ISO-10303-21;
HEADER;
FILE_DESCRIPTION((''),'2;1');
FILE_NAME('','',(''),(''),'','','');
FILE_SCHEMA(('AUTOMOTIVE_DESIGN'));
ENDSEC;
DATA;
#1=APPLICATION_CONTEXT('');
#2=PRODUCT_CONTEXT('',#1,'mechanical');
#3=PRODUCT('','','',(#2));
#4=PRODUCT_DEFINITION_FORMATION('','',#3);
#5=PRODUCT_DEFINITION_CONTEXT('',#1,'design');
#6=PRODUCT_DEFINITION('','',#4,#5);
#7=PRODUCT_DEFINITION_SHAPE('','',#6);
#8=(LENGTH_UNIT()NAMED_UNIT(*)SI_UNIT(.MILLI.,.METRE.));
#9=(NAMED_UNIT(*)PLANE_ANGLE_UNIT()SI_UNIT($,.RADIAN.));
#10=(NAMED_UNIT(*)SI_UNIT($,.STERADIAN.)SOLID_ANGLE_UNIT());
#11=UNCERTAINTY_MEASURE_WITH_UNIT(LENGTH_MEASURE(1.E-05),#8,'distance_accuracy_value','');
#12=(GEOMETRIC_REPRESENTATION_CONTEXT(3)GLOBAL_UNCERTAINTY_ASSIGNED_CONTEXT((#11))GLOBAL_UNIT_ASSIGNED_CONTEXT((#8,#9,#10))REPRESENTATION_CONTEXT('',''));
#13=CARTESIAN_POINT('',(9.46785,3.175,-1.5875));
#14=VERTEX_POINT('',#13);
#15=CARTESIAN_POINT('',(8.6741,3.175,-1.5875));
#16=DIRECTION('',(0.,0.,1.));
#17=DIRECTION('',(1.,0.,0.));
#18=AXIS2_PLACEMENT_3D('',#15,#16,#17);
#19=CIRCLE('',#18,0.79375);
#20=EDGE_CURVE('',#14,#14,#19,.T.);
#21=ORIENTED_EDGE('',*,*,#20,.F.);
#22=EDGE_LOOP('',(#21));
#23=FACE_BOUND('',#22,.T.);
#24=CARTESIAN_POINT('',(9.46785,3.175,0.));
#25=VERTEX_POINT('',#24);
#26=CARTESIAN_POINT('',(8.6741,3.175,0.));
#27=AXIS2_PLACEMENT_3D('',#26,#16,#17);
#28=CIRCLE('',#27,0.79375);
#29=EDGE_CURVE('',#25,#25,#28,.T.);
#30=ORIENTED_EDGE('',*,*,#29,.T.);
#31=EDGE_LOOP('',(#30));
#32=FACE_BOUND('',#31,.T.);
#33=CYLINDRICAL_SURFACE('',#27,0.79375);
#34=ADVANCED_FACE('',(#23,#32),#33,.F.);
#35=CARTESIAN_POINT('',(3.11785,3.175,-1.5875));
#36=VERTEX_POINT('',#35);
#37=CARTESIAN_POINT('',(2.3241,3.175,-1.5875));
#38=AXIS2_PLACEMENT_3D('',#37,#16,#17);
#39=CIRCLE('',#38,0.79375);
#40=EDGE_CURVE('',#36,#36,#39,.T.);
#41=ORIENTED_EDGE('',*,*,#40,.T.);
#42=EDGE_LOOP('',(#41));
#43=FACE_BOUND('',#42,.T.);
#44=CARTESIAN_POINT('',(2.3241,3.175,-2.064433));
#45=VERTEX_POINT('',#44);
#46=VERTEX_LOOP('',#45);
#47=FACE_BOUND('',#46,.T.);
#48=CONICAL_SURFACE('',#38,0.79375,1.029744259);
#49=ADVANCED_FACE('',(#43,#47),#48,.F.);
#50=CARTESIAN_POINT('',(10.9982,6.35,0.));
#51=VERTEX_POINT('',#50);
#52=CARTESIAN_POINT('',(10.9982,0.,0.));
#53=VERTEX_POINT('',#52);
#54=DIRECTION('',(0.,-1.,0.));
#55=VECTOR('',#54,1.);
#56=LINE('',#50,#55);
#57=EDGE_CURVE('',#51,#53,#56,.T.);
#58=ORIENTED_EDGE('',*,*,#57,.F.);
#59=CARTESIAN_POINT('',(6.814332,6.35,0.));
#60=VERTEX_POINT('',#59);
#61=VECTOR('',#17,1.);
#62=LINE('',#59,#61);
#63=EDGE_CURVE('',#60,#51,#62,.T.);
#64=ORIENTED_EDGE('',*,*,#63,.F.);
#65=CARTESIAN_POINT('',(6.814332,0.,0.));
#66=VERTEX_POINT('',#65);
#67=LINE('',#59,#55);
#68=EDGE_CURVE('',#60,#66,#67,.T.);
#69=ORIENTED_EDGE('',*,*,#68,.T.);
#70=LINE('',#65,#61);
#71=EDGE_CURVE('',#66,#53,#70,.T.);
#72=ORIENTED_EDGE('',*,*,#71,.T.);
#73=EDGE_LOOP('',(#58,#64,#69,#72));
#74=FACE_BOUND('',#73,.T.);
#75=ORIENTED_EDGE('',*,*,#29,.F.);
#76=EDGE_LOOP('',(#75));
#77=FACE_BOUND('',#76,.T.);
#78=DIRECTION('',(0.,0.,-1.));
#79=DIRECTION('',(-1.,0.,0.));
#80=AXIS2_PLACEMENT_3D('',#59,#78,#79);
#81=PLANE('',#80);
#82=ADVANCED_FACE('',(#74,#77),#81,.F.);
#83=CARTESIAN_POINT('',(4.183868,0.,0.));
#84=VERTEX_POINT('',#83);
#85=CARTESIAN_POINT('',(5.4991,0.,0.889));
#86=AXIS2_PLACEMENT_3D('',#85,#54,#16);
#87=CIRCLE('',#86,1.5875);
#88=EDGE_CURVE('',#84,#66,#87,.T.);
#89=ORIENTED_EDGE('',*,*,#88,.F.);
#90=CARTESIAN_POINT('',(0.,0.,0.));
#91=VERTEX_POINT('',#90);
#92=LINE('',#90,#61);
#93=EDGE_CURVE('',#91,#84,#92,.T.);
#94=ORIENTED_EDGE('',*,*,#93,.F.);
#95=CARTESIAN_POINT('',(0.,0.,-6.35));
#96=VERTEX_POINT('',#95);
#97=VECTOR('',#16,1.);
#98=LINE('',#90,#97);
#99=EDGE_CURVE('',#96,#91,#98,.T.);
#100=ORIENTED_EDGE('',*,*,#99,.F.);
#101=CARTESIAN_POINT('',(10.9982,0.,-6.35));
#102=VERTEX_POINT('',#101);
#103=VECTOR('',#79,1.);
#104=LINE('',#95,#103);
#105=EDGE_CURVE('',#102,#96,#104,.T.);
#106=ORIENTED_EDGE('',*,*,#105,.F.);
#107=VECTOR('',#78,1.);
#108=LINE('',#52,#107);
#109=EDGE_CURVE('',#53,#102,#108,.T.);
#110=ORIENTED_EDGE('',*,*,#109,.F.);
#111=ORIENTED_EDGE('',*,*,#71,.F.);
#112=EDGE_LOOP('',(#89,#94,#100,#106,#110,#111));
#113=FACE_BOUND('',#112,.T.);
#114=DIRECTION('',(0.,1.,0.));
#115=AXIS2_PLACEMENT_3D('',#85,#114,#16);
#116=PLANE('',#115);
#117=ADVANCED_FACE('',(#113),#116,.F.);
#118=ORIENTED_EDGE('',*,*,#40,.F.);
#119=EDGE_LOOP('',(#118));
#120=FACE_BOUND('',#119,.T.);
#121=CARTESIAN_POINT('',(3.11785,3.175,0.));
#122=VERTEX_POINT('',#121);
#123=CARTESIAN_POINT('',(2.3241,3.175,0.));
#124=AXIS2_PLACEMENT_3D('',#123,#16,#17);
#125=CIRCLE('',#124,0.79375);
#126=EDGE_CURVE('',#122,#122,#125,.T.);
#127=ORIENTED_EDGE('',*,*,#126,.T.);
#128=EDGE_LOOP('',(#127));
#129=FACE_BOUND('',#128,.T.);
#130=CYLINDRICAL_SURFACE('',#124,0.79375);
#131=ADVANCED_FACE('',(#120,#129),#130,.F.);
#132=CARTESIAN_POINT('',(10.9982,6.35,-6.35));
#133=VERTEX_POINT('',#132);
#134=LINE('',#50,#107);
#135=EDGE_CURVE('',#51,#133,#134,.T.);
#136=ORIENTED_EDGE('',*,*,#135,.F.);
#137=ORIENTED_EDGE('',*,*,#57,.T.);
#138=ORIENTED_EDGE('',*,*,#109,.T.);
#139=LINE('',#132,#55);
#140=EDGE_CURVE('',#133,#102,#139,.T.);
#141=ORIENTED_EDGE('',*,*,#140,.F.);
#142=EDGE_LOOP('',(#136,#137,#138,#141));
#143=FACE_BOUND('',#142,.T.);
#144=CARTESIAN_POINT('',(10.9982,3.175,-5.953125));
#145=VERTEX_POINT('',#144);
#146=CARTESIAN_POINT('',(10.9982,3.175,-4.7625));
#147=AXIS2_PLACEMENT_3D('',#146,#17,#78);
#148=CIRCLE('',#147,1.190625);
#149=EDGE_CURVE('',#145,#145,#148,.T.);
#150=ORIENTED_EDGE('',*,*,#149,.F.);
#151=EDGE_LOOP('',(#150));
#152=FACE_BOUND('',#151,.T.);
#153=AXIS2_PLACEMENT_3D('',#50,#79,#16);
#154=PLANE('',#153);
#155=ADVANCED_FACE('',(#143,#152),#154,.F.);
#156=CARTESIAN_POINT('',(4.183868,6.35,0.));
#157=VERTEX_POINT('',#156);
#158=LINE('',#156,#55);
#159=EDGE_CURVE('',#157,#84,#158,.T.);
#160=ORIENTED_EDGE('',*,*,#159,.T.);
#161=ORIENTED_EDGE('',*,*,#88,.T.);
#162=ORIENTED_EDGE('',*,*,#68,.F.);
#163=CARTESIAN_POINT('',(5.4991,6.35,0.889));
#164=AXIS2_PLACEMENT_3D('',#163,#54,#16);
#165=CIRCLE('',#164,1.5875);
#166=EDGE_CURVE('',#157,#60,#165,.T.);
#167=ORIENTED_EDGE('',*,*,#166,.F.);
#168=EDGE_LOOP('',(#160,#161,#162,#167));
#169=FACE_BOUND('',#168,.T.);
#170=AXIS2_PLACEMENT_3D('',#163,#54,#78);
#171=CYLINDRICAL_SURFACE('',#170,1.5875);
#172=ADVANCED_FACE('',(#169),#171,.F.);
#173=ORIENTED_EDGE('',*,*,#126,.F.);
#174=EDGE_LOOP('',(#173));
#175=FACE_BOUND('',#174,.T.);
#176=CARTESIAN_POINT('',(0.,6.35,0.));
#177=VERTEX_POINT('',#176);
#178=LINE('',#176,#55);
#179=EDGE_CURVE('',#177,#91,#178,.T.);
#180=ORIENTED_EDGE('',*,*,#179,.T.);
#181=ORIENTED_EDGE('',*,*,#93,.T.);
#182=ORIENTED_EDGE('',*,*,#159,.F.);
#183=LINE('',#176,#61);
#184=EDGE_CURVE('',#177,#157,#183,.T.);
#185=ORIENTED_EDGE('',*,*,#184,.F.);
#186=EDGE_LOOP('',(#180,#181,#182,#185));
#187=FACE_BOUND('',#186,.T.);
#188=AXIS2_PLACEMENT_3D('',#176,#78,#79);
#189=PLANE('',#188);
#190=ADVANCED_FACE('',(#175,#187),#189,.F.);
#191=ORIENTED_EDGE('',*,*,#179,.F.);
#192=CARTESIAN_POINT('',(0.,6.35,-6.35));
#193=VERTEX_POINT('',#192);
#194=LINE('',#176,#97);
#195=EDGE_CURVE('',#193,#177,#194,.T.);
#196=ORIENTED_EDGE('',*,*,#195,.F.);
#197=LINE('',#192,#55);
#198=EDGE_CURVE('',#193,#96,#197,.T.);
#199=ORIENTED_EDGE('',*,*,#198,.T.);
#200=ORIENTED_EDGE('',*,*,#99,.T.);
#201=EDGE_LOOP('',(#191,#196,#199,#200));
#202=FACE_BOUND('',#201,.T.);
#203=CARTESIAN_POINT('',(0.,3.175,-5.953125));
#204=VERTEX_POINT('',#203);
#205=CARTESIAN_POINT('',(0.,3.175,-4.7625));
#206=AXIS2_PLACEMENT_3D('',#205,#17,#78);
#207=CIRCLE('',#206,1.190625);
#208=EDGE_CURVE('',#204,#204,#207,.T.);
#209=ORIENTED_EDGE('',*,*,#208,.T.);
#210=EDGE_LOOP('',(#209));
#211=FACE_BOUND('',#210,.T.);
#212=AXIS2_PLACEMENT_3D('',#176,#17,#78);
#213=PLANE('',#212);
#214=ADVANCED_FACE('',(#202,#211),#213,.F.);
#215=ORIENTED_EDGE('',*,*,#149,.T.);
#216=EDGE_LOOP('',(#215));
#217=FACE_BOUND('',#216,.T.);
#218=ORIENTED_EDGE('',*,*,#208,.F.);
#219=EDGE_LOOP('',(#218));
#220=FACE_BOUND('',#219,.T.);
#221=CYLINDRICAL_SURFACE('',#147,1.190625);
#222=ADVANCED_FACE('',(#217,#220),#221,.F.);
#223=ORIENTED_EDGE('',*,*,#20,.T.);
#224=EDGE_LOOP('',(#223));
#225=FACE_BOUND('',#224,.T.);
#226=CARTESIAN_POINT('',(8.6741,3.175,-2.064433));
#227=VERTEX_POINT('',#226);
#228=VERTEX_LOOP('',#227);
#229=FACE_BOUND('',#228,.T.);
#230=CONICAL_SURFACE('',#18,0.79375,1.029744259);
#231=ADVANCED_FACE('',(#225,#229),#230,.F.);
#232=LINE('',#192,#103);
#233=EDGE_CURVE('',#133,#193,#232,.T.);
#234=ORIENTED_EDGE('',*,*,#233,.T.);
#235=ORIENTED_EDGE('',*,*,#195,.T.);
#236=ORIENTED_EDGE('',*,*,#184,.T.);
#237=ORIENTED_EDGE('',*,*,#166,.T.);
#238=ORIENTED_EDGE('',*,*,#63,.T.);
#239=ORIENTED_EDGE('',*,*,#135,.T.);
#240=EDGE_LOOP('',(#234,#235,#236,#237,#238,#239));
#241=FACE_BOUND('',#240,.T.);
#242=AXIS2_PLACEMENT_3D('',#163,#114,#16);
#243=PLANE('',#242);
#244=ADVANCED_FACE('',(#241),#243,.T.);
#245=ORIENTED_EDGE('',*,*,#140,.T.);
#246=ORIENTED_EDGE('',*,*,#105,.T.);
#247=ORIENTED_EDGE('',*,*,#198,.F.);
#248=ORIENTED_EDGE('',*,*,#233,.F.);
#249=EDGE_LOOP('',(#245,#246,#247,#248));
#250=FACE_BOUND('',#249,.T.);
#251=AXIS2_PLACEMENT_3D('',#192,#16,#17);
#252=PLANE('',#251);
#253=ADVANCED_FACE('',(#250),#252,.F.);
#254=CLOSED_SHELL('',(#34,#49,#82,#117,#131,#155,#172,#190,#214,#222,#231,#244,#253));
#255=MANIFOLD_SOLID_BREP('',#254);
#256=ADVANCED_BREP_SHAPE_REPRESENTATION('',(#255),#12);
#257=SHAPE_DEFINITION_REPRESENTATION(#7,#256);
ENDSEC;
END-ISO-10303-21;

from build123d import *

# Parameters (mm, degrees)
BOSS_EXTRUDE1_DEPTH                = 6.35
F_1_16_0_0625_DIAMETER_HOLE1_D     = 1.5875
F_1_16_0_0625_DIAMETER_HOLE1_DEPTH = 1.5875
F_1_16_0_0625_DIAMETER_HOLE1_TIP   = 0.476933116
F_3_32_0_09375_DIAMETER_HOLE1_D    = 2.38125


with BuildPart() as part:
    # Sketch1 → Boss-Extrude1 (new body)
    with BuildSketch(Plane(origin=(0, 0, 0), x_dir=(1, 0, 0), z_dir=(0, 1, 0))):
        with BuildLine():
            Line((6.814332014, 0), (10.9982, 0))
            Line((10.9982, 0), (10.9982, 6.35))
            Line((10.9982, 6.35), (0, 6.35))
            Line((0, 6.35), (0, 0))
            Line((0, 0), (4.183867986, 0))
            ThreePointArc((4.183867986, 0), (5.4991, 0.6985), (6.814332014, 0))
        make_face()
    extrude(amount=BOSS_EXTRUDE1_DEPTH)

    # 1/16 (0.0625) Diameter Hole1
    with Locations(Plane.XY):
        with Locations((2.3241, 3.175), (8.6741, 3.175)):
            Hole(F_1_16_0_0625_DIAMETER_HOLE1_D / 2, depth=F_1_16_0_0625_DIAMETER_HOLE1_DEPTH)
            with Locations((0, 0, -(F_1_16_0_0625_DIAMETER_HOLE1_DEPTH + F_1_16_0_0625_DIAMETER_HOLE1_TIP / 2))):  # 118° drill point
                Cone(0, F_1_16_0_0625_DIAMETER_HOLE1_D / 2, F_1_16_0_0625_DIAMETER_HOLE1_TIP, mode=Mode.SUBTRACT)

    # 3/32 (0.09375) Diameter Hole1 (through all)
    with Locations(Plane(origin=(10.9982, 0, 0), x_dir=(0, 0, -1), z_dir=(1, 0, 0))):
        with Locations((4.7625, 3.175)):
            Hole(F_3_32_0_09375_DIAMETER_HOLE1_D / 2)


solid = part.part
